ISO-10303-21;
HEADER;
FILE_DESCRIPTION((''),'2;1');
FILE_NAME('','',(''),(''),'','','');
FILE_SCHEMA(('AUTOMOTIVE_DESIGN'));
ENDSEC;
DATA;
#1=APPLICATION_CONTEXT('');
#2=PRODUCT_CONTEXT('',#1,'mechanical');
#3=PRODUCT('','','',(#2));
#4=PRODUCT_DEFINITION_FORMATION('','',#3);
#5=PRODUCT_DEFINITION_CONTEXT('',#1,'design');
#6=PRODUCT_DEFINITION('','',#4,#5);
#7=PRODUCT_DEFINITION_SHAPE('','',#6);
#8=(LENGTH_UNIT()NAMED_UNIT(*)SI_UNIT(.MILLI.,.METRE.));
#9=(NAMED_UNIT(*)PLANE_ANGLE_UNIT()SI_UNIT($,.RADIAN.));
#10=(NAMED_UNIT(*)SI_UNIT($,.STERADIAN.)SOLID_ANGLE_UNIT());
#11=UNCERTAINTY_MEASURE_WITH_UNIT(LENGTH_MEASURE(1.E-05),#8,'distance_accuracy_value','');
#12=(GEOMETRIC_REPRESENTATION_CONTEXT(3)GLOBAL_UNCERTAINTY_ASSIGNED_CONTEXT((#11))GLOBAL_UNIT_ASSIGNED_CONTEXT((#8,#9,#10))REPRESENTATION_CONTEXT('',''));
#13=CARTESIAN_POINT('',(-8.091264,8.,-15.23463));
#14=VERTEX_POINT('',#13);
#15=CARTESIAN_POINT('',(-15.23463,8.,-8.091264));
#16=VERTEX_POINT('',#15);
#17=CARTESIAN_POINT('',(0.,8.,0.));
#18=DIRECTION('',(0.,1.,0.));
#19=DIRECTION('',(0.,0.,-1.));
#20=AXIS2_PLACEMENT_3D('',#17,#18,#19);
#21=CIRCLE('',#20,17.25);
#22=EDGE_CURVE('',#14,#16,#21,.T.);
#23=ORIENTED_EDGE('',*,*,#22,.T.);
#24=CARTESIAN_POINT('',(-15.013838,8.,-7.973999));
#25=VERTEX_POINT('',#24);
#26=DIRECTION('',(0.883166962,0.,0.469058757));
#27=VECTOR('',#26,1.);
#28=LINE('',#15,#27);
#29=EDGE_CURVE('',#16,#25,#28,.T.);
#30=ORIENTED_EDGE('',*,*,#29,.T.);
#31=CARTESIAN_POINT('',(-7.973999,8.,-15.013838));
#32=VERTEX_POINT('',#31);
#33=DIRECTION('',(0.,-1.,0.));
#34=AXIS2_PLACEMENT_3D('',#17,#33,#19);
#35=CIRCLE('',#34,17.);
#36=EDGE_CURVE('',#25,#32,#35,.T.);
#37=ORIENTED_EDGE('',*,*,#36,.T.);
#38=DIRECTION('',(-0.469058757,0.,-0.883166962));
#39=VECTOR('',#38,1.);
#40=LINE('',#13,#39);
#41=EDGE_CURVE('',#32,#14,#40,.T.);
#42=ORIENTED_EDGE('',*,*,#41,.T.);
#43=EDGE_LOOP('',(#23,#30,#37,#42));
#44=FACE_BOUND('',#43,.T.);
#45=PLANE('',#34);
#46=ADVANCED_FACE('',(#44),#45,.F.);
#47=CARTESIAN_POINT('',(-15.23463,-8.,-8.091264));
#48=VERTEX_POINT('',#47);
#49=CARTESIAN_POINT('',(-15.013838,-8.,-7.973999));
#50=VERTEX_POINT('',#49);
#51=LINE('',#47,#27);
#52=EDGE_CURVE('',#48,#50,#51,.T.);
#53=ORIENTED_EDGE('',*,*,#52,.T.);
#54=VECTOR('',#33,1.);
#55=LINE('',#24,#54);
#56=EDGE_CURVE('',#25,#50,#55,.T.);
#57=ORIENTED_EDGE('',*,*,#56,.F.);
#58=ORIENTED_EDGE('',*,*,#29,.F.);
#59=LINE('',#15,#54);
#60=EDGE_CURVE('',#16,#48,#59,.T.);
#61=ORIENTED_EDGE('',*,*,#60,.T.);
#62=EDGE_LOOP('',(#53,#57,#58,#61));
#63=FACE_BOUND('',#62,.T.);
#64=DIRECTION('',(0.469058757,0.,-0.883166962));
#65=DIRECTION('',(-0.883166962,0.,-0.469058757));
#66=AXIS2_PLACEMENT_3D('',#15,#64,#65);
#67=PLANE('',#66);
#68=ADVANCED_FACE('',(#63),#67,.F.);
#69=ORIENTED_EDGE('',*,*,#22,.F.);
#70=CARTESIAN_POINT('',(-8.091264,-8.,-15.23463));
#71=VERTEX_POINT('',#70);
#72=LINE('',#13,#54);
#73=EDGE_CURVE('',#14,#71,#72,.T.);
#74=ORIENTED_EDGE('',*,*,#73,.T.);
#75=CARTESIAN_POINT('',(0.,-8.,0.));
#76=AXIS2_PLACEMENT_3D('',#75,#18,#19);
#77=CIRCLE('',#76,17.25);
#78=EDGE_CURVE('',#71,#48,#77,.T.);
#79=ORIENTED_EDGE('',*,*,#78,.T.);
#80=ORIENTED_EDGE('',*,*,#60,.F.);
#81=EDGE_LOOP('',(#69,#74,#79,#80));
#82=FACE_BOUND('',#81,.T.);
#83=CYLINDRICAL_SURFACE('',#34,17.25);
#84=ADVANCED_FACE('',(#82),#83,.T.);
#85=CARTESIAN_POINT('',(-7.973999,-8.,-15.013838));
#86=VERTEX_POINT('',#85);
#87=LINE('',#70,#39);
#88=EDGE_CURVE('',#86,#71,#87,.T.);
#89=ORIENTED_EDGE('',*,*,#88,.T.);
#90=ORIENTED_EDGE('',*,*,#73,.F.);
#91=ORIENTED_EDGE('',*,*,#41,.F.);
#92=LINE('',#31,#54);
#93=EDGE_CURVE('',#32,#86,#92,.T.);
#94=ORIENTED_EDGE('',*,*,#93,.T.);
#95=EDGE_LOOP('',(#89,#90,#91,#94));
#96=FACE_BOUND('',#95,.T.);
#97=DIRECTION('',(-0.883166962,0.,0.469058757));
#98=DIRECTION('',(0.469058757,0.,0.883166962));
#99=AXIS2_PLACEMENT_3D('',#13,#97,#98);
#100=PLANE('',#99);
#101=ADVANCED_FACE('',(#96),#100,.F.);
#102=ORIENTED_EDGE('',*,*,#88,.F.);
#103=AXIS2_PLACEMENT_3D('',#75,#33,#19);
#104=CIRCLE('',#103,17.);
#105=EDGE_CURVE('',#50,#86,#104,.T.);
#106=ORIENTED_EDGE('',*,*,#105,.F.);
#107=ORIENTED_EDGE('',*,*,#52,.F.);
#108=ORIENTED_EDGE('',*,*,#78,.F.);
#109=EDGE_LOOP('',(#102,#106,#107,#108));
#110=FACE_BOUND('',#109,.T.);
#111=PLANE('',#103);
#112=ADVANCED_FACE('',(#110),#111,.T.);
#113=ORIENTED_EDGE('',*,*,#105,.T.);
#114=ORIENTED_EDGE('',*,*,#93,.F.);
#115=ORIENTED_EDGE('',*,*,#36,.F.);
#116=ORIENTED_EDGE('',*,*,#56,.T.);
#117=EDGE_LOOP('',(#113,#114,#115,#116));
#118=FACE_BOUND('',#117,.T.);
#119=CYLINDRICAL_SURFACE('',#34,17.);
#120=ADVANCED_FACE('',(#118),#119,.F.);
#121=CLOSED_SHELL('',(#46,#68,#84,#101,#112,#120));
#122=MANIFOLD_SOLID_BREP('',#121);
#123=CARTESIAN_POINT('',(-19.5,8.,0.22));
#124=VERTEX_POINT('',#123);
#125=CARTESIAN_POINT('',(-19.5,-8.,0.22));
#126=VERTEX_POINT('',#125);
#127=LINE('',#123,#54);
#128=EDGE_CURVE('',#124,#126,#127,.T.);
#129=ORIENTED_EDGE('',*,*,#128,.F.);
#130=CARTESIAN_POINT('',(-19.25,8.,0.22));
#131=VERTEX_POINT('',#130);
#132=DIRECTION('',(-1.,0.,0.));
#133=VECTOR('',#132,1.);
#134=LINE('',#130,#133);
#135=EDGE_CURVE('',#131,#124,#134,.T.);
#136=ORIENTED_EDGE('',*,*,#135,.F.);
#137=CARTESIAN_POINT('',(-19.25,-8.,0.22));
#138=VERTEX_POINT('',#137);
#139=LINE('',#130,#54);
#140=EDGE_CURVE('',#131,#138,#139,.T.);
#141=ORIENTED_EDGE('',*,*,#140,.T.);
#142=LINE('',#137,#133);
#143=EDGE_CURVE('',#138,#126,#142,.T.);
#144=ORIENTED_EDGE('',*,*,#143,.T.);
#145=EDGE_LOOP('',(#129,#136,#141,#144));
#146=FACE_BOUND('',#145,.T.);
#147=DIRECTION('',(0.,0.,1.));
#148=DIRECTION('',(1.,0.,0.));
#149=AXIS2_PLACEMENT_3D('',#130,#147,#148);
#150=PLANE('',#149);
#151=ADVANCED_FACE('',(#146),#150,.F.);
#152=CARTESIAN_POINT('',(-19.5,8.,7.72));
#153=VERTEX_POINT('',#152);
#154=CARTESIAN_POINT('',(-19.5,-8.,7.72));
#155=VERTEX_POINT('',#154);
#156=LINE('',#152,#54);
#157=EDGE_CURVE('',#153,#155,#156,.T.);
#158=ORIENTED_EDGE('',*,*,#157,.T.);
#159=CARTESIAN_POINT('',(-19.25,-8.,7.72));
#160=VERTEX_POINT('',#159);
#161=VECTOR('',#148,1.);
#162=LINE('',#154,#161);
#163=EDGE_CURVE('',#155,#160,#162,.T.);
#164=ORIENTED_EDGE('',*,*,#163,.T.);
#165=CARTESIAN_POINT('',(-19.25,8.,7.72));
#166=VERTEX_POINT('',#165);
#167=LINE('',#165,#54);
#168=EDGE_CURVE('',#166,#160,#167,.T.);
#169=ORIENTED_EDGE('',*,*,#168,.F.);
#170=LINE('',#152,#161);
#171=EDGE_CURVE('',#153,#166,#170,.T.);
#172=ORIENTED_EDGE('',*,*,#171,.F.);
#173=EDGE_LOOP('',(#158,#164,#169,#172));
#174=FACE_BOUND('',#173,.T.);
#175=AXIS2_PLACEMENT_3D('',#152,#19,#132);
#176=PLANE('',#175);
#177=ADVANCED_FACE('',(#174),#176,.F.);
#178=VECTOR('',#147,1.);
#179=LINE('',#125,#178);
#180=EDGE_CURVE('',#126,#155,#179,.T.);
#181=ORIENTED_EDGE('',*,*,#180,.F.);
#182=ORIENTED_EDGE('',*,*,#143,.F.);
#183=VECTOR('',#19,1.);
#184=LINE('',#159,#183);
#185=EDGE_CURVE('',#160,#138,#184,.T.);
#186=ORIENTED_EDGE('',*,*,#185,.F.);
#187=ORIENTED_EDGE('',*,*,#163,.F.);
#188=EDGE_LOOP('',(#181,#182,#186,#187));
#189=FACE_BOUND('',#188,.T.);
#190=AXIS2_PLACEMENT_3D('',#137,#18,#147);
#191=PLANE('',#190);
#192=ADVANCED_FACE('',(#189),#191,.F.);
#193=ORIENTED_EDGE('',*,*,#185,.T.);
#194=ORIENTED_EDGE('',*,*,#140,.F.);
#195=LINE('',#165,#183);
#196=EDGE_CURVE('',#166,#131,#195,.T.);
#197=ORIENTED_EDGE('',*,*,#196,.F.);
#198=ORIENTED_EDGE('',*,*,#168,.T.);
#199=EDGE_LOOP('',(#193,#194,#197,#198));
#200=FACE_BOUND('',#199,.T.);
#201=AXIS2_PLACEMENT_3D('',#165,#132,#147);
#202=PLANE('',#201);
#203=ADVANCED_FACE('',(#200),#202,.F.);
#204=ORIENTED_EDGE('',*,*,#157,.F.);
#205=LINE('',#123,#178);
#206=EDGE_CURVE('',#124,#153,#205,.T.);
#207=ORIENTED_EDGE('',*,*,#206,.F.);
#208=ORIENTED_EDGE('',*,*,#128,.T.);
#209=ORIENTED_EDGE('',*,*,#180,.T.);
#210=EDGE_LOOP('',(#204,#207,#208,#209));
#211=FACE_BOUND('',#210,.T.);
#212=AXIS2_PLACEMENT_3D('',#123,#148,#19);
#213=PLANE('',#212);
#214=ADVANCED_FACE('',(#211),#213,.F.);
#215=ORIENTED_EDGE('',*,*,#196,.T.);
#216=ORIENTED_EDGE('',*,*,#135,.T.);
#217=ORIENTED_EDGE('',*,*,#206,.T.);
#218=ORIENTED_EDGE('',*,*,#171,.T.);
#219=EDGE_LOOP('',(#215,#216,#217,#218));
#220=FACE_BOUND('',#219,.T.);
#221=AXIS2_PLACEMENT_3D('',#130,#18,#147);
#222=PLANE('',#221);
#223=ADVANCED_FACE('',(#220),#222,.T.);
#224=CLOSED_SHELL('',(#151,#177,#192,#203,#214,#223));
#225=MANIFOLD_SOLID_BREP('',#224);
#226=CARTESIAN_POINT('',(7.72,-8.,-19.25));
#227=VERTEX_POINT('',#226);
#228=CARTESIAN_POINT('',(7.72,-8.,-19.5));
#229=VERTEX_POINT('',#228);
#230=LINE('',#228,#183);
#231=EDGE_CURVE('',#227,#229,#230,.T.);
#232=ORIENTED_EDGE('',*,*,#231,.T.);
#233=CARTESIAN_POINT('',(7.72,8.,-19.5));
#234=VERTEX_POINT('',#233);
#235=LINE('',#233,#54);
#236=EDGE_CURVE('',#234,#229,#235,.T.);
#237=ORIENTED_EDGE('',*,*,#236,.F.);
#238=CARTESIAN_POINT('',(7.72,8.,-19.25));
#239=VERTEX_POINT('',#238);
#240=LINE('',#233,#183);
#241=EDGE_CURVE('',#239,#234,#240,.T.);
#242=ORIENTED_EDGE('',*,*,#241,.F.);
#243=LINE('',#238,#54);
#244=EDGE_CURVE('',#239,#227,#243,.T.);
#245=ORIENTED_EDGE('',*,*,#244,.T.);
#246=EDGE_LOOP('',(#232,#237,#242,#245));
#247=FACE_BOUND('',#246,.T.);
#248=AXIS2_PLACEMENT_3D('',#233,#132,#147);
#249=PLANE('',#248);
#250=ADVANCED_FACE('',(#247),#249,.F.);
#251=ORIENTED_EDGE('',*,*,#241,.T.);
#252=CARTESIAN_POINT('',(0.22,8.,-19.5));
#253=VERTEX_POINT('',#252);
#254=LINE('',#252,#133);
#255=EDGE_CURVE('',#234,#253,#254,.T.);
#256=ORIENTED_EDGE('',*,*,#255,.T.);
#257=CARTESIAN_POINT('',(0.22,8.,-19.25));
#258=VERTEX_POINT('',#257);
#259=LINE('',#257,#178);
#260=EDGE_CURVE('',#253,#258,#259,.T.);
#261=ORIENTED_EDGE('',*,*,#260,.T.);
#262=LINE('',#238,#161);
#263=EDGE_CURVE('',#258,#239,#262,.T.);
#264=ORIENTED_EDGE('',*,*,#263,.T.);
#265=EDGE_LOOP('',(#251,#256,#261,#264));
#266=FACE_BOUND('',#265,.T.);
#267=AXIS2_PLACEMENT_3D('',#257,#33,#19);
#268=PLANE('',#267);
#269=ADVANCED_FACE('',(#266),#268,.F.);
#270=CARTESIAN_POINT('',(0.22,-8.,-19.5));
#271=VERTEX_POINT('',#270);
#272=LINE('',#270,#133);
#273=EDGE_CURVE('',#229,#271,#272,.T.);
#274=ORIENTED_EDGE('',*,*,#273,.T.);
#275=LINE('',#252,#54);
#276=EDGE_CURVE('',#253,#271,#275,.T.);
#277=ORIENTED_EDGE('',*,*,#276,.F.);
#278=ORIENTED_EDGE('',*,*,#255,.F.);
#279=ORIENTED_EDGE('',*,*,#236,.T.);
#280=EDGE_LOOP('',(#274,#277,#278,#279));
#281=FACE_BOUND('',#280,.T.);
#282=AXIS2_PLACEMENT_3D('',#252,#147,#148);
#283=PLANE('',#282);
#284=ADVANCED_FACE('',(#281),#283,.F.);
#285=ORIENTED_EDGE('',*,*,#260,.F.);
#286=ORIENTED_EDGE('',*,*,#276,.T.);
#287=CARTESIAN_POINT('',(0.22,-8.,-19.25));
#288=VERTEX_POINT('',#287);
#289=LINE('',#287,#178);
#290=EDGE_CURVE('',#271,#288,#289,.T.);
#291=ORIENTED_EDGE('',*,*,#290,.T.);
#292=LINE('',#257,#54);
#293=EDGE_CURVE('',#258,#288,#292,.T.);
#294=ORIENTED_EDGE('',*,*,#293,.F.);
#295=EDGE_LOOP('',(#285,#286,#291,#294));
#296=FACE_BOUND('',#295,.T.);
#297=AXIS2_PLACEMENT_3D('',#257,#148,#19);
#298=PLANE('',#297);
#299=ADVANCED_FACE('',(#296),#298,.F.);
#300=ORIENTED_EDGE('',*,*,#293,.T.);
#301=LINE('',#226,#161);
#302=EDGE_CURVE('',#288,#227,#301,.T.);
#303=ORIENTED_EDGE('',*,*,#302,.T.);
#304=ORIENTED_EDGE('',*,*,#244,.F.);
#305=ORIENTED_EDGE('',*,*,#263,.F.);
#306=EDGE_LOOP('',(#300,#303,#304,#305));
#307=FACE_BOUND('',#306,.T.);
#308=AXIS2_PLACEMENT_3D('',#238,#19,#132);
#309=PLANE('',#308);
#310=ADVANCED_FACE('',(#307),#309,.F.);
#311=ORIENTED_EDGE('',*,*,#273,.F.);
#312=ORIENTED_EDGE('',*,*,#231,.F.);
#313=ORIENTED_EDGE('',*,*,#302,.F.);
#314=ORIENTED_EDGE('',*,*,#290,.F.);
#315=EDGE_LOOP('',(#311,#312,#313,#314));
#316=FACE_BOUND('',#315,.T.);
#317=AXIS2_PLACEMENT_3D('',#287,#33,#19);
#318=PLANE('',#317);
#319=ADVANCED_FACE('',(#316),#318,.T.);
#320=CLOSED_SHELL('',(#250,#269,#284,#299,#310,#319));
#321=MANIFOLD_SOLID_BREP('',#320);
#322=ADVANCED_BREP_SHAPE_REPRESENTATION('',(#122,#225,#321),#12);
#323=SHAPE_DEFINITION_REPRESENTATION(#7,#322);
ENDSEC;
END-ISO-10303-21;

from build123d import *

# Parameters (mm, degrees)
SKETCH1_W        = 0.25
SKETCH1_H        = 7.5
EXTRUDE1_DEPTH   = 8
SKETCH1_W_2      = 7.5
SKETCH1_H_2      = 0.25
EXTRUDE1_2_DEPTH = 8
EXTRUDE1_3_DEPTH = 8


with BuildPart() as part:
    # Sketch1 → Extrude1 (new body, symmetric)
    with BuildSketch(Plane(origin=(0, 0, 0), x_dir=(1, 0, 0), z_dir=(0, 1, 0))):
        with Locations((-19.375, -3.97)):
            Rectangle(SKETCH1_W, SKETCH1_H)
    extrude(amount=EXTRUDE1_DEPTH, both=True)


with BuildPart() as body_2:
    # Sketch1 → Extrude1 2 (new body, symmetric)
    with BuildSketch(Plane(origin=(0, 0, 0), x_dir=(1, 0, 0), z_dir=(0, 1, 0))):
        with Locations((3.97, 19.375)):
            Rectangle(SKETCH1_W_2, SKETCH1_H_2)
    extrude(amount=EXTRUDE1_2_DEPTH, both=True)


with BuildPart() as body_3:
    # Sketch1 → Extrude1 3 (new body, symmetric)
    with BuildSketch(Plane(origin=(0, 0, 0), x_dir=(1, 0, 0), z_dir=(0, 1, 0))):
        with BuildLine():
            Line((-8.091263553, 15.234630094), (-7.973998864, 15.013838354))
            ThreePointArc((-7.973998864, 15.013838354), (-12.02081528, 12.02081528), (-15.013838354, 7.973998864))
            Line((-15.013838354, 7.973998864), (-15.234630094, 8.091263553))
            ThreePointArc((-15.234630094, 8.091263553), (-12.197591975, 12.197591975), (-8.091263553, 15.234630094))
        make_face()
    extrude(amount=EXTRUDE1_3_DEPTH, both=True)


solid = Compound([part.part, body_2.part, body_3.part])
